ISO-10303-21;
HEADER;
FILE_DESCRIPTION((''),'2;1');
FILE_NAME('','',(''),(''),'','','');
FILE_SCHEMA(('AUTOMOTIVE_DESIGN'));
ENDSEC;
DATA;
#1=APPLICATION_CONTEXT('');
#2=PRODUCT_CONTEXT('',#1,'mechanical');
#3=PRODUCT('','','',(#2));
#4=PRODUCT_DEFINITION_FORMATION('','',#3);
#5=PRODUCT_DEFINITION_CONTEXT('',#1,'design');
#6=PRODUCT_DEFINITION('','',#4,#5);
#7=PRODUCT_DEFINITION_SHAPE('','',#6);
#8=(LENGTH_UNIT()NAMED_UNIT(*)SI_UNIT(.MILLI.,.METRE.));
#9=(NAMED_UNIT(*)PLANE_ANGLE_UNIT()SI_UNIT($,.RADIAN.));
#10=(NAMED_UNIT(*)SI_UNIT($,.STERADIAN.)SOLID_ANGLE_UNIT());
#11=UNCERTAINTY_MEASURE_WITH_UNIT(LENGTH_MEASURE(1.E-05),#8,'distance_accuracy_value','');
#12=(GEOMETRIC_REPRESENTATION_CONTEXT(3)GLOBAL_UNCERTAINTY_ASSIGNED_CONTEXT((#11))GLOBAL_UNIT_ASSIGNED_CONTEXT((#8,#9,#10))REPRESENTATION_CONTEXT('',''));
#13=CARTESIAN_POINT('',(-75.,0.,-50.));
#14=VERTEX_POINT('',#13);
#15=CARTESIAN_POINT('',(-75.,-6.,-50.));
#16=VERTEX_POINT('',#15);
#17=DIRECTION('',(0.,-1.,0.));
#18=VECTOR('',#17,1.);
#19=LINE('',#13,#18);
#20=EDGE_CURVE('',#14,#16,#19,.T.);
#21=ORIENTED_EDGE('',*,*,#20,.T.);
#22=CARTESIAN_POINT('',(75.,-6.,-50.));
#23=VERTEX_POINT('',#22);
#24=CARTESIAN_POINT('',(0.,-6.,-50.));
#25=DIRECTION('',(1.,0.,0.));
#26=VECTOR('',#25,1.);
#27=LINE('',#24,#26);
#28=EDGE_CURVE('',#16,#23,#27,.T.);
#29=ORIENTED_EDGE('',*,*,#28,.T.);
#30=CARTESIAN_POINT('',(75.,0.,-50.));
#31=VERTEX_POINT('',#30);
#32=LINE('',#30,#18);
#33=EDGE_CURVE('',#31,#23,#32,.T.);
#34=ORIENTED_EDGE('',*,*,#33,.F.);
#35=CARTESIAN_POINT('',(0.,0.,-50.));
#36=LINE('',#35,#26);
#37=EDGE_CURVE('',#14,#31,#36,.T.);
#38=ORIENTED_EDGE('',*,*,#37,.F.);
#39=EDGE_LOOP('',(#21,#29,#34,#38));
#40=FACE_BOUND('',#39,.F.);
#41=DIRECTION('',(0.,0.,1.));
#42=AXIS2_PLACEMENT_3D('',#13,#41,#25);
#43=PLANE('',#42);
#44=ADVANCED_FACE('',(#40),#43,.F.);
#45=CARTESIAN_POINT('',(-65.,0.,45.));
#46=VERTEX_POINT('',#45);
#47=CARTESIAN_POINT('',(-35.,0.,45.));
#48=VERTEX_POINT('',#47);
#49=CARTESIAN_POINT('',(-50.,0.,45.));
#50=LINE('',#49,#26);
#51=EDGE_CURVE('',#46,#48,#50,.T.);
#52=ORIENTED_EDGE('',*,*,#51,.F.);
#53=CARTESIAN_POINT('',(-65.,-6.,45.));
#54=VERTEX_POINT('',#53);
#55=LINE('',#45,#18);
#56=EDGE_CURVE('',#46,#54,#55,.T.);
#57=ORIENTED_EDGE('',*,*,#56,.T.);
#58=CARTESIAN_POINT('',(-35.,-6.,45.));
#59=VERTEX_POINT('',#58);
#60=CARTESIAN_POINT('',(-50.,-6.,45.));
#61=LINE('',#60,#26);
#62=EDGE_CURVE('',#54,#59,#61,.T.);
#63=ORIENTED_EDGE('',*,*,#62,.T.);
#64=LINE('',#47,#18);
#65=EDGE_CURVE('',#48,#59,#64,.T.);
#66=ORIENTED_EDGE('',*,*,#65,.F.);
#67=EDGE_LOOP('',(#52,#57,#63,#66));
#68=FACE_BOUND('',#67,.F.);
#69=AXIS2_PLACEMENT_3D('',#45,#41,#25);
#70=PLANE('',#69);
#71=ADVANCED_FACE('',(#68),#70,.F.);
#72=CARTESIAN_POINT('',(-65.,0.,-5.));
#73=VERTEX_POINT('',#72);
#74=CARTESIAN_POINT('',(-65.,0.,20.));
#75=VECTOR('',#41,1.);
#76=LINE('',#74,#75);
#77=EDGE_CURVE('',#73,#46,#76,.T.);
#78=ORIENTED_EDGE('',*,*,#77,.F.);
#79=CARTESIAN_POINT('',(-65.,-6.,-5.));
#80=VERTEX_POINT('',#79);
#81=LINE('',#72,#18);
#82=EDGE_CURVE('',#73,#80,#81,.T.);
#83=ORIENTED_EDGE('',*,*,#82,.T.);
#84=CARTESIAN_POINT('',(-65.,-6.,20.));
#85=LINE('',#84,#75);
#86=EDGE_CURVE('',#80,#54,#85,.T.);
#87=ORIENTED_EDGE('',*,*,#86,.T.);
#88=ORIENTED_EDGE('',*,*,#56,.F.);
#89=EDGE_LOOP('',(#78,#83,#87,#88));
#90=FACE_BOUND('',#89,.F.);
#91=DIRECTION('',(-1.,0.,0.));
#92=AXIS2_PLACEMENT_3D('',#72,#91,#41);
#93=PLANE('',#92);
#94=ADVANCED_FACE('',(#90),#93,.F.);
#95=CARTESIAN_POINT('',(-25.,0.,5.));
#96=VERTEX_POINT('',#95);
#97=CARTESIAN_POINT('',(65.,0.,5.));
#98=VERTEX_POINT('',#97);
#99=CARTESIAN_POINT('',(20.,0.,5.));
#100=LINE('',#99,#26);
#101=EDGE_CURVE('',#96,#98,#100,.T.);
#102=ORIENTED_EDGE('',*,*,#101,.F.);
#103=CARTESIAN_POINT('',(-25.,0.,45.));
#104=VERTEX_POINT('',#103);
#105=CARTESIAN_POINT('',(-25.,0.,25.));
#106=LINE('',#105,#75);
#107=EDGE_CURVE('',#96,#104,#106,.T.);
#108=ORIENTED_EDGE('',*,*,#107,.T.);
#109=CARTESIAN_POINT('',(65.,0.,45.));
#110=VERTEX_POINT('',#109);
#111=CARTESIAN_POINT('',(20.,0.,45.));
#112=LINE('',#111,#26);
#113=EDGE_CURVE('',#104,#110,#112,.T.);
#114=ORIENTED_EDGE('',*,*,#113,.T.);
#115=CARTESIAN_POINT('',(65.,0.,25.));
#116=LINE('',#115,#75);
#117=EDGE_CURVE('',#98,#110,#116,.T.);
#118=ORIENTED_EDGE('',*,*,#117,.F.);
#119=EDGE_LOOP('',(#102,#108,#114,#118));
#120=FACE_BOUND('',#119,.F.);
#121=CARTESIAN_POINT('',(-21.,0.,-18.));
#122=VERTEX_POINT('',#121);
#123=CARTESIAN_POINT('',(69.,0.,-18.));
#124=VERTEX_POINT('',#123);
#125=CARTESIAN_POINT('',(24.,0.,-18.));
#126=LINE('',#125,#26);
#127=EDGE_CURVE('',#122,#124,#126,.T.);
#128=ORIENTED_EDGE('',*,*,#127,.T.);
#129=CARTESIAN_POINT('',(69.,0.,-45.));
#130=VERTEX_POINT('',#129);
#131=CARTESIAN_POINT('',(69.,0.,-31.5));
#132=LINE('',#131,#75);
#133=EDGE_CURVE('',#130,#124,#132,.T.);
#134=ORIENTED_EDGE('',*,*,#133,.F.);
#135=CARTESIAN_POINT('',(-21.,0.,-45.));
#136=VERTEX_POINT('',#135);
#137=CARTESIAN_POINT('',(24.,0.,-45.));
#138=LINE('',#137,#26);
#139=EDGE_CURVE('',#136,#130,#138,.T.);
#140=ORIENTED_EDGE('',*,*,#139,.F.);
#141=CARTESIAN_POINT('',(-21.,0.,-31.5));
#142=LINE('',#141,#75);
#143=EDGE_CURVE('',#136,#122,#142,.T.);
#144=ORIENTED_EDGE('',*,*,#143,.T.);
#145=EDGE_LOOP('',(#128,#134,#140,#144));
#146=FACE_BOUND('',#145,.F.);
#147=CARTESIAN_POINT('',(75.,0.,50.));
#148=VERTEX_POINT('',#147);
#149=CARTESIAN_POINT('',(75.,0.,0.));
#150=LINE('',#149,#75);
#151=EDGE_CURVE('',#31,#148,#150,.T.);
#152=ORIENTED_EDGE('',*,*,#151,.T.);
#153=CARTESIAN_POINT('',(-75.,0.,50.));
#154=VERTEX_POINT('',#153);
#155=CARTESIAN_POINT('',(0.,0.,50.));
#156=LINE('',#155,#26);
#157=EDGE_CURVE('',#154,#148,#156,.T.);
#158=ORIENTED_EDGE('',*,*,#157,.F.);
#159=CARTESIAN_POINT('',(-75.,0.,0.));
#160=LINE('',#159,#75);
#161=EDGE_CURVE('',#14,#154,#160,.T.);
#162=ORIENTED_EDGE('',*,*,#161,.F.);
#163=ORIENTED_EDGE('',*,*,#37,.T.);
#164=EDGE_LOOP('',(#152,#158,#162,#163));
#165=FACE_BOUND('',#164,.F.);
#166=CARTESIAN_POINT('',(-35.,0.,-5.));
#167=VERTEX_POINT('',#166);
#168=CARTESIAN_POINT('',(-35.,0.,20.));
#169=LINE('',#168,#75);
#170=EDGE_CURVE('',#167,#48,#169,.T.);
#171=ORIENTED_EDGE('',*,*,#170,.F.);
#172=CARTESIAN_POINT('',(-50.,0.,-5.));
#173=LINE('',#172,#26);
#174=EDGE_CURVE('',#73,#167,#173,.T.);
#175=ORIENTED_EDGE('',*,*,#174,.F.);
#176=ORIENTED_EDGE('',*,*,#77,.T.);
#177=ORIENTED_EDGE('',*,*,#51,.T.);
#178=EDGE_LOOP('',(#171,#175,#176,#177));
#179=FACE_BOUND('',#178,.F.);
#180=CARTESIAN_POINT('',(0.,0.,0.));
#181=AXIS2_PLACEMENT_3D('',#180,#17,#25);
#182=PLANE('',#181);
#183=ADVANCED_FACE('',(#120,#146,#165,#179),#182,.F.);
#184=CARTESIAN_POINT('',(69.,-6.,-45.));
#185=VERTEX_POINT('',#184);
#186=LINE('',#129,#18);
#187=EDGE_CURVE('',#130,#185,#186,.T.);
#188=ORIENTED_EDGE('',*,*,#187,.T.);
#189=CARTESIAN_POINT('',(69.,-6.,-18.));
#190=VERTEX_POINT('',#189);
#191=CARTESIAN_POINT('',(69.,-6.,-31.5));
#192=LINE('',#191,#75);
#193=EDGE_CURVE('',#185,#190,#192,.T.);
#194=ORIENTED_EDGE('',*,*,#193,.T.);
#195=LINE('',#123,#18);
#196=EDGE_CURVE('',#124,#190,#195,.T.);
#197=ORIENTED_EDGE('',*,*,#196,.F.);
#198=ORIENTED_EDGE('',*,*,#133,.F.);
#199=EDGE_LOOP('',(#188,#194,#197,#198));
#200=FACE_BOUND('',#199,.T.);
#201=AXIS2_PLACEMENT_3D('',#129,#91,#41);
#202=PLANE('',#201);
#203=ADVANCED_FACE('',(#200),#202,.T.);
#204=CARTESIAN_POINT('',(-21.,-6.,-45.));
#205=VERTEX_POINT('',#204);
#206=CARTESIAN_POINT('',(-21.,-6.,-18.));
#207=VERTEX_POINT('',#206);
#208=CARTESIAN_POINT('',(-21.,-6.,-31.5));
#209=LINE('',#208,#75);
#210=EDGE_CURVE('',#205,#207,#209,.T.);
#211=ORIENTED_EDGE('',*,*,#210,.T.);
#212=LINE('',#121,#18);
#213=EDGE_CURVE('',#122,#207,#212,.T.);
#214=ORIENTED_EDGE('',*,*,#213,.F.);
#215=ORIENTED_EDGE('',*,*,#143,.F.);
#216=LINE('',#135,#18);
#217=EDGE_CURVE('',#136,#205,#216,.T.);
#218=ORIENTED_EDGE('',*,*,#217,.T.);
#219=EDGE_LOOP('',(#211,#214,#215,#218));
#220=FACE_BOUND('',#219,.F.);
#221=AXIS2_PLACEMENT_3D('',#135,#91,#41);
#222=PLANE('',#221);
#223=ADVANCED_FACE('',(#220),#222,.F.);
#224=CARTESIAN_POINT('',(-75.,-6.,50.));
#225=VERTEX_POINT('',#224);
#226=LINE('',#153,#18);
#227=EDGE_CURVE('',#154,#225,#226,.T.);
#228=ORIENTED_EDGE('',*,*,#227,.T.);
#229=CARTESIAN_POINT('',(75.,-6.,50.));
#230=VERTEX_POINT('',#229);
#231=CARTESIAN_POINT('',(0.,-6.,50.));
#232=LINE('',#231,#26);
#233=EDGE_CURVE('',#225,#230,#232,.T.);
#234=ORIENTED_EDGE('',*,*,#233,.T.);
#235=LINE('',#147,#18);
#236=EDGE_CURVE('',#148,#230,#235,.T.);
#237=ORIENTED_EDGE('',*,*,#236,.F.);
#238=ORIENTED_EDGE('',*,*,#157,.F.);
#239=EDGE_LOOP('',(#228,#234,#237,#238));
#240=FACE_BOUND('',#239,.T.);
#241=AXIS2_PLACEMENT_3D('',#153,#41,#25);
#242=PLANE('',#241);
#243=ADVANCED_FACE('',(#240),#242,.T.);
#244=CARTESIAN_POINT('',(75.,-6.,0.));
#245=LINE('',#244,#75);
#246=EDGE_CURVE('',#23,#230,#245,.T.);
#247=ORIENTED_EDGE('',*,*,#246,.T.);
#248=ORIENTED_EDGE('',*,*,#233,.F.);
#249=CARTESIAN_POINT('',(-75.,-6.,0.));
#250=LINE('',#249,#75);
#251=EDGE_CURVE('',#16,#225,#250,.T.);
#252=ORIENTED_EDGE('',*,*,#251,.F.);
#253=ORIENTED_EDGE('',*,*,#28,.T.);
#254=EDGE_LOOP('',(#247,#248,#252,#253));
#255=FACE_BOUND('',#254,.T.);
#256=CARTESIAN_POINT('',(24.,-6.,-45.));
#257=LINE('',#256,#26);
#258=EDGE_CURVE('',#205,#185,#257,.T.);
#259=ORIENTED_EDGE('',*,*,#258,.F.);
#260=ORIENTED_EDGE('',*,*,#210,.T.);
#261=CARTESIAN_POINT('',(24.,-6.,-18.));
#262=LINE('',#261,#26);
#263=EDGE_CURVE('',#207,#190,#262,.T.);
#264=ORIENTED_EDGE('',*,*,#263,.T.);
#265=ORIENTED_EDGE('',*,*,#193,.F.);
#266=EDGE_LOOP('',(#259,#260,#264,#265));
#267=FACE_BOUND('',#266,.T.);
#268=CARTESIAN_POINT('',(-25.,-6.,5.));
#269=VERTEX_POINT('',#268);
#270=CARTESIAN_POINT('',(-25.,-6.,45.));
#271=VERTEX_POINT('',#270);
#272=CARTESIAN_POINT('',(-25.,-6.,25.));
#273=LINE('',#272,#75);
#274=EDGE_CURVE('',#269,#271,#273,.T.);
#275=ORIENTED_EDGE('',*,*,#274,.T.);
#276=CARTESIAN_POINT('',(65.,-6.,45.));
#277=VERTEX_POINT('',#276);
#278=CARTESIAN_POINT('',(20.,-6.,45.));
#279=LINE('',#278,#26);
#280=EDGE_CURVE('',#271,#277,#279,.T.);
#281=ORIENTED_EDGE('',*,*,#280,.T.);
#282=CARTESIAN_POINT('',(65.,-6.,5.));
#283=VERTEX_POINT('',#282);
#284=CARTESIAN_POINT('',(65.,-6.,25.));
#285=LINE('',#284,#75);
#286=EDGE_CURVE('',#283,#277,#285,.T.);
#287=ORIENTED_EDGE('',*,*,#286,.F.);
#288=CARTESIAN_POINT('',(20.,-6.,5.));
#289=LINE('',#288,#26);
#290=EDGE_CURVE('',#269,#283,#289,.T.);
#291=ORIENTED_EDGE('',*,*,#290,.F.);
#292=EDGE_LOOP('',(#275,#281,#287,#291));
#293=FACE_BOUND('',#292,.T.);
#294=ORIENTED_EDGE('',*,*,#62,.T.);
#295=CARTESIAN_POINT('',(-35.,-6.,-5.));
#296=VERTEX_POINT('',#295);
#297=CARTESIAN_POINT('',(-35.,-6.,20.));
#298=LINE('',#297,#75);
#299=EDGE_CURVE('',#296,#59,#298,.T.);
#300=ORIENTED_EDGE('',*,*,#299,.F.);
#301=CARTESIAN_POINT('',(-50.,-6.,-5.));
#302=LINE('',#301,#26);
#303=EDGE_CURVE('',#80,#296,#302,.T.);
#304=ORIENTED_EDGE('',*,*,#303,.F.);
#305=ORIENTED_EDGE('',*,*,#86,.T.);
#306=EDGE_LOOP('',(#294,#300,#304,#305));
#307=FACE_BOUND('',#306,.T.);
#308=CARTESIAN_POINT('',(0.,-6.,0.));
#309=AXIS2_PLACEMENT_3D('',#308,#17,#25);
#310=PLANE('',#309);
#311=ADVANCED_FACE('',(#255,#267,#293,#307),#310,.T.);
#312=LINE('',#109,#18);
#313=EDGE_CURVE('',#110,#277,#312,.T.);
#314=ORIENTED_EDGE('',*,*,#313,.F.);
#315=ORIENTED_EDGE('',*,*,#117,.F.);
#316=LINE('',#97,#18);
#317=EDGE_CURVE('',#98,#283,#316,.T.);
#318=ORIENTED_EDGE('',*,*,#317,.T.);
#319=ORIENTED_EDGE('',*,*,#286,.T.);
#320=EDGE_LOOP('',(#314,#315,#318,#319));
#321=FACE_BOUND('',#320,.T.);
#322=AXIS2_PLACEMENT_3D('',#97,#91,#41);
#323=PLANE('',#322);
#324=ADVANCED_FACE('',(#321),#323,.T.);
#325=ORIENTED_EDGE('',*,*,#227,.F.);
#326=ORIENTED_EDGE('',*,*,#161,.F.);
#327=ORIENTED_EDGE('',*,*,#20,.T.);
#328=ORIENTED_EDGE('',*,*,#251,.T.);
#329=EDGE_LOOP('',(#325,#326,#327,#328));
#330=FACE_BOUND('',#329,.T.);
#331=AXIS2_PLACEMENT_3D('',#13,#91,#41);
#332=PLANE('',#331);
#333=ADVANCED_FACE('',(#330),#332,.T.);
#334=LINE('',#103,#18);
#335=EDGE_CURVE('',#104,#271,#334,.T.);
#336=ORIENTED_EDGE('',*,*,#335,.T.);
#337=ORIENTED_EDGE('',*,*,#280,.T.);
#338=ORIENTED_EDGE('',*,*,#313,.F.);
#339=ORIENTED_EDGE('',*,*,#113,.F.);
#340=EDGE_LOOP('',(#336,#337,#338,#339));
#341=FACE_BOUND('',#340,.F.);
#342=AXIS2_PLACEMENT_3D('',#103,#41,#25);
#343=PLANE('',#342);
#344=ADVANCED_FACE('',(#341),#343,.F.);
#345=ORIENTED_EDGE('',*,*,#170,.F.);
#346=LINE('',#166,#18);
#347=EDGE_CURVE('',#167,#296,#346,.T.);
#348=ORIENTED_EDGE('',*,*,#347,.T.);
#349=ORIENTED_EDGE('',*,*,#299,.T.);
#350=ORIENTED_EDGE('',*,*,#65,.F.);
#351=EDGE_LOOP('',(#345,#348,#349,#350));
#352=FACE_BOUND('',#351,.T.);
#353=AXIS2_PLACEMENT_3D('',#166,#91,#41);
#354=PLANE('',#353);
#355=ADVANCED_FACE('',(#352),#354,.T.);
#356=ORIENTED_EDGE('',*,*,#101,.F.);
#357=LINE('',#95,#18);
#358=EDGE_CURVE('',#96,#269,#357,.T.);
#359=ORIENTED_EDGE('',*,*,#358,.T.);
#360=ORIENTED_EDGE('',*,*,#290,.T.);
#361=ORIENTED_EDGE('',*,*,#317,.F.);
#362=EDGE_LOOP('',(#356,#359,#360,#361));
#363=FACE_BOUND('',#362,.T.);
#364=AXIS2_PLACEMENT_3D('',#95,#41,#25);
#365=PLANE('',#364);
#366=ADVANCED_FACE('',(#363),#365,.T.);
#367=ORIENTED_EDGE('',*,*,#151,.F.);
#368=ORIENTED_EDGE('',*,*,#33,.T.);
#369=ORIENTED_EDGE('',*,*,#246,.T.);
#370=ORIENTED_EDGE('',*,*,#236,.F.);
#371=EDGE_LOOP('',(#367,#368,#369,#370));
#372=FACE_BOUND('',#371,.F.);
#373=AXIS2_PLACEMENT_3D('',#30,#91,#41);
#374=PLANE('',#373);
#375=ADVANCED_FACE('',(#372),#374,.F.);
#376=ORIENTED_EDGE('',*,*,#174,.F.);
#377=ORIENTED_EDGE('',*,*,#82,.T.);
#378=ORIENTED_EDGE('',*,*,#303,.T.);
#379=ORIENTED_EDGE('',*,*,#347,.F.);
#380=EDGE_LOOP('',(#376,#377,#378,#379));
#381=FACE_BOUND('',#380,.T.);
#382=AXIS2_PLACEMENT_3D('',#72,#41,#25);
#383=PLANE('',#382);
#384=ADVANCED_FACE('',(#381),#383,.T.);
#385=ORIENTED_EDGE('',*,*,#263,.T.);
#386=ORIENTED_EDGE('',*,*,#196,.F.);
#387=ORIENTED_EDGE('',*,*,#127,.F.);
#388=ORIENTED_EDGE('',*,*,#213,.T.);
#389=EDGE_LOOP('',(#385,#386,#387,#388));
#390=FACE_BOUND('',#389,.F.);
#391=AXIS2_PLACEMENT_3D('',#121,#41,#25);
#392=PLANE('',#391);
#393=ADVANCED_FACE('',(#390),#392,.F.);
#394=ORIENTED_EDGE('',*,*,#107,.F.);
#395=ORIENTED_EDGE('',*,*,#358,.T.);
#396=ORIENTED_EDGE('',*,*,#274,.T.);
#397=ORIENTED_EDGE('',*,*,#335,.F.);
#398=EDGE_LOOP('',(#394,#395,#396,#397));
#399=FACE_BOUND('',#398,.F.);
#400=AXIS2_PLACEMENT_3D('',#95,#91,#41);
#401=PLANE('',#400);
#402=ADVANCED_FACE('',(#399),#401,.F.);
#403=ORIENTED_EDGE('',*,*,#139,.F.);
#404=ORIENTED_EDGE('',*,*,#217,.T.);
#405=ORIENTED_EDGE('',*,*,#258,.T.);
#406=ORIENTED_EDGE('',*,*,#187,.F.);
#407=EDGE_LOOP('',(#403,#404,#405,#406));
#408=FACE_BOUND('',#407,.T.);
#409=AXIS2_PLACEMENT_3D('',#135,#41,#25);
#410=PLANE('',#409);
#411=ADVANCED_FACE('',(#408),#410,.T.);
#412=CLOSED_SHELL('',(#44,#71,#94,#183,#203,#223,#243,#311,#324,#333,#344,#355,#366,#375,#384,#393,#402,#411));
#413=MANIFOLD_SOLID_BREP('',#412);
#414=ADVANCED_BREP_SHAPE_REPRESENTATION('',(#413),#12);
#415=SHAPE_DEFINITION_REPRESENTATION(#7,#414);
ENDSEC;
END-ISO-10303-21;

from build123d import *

# Parameters (mm, degrees)
F0_W     = 150
F0_H     = 100
F0_W_2   = 90
F0_H_2   = 27
F0_W_3   = 30
F0_H_3   = 50
F0_H_4   = 40
F1_DEPTH = 6


with BuildPart() as f1:
    # F0 (on Front) → F1 (new body)
    with BuildSketch(Plane.XZ):
        Rectangle(F0_W, F0_H)
        with Locations((24, -31.5)):
            Rectangle(F0_W_2, F0_H_2, mode=Mode.SUBTRACT)
        with Locations((-50, 20)):
            Rectangle(F0_W_3, F0_H_3, mode=Mode.SUBTRACT)
        with Locations((20, 25)):
            Rectangle(F0_W_2, F0_H_4, mode=Mode.SUBTRACT)
    extrude(amount=F1_DEPTH)


solid = f1.part
